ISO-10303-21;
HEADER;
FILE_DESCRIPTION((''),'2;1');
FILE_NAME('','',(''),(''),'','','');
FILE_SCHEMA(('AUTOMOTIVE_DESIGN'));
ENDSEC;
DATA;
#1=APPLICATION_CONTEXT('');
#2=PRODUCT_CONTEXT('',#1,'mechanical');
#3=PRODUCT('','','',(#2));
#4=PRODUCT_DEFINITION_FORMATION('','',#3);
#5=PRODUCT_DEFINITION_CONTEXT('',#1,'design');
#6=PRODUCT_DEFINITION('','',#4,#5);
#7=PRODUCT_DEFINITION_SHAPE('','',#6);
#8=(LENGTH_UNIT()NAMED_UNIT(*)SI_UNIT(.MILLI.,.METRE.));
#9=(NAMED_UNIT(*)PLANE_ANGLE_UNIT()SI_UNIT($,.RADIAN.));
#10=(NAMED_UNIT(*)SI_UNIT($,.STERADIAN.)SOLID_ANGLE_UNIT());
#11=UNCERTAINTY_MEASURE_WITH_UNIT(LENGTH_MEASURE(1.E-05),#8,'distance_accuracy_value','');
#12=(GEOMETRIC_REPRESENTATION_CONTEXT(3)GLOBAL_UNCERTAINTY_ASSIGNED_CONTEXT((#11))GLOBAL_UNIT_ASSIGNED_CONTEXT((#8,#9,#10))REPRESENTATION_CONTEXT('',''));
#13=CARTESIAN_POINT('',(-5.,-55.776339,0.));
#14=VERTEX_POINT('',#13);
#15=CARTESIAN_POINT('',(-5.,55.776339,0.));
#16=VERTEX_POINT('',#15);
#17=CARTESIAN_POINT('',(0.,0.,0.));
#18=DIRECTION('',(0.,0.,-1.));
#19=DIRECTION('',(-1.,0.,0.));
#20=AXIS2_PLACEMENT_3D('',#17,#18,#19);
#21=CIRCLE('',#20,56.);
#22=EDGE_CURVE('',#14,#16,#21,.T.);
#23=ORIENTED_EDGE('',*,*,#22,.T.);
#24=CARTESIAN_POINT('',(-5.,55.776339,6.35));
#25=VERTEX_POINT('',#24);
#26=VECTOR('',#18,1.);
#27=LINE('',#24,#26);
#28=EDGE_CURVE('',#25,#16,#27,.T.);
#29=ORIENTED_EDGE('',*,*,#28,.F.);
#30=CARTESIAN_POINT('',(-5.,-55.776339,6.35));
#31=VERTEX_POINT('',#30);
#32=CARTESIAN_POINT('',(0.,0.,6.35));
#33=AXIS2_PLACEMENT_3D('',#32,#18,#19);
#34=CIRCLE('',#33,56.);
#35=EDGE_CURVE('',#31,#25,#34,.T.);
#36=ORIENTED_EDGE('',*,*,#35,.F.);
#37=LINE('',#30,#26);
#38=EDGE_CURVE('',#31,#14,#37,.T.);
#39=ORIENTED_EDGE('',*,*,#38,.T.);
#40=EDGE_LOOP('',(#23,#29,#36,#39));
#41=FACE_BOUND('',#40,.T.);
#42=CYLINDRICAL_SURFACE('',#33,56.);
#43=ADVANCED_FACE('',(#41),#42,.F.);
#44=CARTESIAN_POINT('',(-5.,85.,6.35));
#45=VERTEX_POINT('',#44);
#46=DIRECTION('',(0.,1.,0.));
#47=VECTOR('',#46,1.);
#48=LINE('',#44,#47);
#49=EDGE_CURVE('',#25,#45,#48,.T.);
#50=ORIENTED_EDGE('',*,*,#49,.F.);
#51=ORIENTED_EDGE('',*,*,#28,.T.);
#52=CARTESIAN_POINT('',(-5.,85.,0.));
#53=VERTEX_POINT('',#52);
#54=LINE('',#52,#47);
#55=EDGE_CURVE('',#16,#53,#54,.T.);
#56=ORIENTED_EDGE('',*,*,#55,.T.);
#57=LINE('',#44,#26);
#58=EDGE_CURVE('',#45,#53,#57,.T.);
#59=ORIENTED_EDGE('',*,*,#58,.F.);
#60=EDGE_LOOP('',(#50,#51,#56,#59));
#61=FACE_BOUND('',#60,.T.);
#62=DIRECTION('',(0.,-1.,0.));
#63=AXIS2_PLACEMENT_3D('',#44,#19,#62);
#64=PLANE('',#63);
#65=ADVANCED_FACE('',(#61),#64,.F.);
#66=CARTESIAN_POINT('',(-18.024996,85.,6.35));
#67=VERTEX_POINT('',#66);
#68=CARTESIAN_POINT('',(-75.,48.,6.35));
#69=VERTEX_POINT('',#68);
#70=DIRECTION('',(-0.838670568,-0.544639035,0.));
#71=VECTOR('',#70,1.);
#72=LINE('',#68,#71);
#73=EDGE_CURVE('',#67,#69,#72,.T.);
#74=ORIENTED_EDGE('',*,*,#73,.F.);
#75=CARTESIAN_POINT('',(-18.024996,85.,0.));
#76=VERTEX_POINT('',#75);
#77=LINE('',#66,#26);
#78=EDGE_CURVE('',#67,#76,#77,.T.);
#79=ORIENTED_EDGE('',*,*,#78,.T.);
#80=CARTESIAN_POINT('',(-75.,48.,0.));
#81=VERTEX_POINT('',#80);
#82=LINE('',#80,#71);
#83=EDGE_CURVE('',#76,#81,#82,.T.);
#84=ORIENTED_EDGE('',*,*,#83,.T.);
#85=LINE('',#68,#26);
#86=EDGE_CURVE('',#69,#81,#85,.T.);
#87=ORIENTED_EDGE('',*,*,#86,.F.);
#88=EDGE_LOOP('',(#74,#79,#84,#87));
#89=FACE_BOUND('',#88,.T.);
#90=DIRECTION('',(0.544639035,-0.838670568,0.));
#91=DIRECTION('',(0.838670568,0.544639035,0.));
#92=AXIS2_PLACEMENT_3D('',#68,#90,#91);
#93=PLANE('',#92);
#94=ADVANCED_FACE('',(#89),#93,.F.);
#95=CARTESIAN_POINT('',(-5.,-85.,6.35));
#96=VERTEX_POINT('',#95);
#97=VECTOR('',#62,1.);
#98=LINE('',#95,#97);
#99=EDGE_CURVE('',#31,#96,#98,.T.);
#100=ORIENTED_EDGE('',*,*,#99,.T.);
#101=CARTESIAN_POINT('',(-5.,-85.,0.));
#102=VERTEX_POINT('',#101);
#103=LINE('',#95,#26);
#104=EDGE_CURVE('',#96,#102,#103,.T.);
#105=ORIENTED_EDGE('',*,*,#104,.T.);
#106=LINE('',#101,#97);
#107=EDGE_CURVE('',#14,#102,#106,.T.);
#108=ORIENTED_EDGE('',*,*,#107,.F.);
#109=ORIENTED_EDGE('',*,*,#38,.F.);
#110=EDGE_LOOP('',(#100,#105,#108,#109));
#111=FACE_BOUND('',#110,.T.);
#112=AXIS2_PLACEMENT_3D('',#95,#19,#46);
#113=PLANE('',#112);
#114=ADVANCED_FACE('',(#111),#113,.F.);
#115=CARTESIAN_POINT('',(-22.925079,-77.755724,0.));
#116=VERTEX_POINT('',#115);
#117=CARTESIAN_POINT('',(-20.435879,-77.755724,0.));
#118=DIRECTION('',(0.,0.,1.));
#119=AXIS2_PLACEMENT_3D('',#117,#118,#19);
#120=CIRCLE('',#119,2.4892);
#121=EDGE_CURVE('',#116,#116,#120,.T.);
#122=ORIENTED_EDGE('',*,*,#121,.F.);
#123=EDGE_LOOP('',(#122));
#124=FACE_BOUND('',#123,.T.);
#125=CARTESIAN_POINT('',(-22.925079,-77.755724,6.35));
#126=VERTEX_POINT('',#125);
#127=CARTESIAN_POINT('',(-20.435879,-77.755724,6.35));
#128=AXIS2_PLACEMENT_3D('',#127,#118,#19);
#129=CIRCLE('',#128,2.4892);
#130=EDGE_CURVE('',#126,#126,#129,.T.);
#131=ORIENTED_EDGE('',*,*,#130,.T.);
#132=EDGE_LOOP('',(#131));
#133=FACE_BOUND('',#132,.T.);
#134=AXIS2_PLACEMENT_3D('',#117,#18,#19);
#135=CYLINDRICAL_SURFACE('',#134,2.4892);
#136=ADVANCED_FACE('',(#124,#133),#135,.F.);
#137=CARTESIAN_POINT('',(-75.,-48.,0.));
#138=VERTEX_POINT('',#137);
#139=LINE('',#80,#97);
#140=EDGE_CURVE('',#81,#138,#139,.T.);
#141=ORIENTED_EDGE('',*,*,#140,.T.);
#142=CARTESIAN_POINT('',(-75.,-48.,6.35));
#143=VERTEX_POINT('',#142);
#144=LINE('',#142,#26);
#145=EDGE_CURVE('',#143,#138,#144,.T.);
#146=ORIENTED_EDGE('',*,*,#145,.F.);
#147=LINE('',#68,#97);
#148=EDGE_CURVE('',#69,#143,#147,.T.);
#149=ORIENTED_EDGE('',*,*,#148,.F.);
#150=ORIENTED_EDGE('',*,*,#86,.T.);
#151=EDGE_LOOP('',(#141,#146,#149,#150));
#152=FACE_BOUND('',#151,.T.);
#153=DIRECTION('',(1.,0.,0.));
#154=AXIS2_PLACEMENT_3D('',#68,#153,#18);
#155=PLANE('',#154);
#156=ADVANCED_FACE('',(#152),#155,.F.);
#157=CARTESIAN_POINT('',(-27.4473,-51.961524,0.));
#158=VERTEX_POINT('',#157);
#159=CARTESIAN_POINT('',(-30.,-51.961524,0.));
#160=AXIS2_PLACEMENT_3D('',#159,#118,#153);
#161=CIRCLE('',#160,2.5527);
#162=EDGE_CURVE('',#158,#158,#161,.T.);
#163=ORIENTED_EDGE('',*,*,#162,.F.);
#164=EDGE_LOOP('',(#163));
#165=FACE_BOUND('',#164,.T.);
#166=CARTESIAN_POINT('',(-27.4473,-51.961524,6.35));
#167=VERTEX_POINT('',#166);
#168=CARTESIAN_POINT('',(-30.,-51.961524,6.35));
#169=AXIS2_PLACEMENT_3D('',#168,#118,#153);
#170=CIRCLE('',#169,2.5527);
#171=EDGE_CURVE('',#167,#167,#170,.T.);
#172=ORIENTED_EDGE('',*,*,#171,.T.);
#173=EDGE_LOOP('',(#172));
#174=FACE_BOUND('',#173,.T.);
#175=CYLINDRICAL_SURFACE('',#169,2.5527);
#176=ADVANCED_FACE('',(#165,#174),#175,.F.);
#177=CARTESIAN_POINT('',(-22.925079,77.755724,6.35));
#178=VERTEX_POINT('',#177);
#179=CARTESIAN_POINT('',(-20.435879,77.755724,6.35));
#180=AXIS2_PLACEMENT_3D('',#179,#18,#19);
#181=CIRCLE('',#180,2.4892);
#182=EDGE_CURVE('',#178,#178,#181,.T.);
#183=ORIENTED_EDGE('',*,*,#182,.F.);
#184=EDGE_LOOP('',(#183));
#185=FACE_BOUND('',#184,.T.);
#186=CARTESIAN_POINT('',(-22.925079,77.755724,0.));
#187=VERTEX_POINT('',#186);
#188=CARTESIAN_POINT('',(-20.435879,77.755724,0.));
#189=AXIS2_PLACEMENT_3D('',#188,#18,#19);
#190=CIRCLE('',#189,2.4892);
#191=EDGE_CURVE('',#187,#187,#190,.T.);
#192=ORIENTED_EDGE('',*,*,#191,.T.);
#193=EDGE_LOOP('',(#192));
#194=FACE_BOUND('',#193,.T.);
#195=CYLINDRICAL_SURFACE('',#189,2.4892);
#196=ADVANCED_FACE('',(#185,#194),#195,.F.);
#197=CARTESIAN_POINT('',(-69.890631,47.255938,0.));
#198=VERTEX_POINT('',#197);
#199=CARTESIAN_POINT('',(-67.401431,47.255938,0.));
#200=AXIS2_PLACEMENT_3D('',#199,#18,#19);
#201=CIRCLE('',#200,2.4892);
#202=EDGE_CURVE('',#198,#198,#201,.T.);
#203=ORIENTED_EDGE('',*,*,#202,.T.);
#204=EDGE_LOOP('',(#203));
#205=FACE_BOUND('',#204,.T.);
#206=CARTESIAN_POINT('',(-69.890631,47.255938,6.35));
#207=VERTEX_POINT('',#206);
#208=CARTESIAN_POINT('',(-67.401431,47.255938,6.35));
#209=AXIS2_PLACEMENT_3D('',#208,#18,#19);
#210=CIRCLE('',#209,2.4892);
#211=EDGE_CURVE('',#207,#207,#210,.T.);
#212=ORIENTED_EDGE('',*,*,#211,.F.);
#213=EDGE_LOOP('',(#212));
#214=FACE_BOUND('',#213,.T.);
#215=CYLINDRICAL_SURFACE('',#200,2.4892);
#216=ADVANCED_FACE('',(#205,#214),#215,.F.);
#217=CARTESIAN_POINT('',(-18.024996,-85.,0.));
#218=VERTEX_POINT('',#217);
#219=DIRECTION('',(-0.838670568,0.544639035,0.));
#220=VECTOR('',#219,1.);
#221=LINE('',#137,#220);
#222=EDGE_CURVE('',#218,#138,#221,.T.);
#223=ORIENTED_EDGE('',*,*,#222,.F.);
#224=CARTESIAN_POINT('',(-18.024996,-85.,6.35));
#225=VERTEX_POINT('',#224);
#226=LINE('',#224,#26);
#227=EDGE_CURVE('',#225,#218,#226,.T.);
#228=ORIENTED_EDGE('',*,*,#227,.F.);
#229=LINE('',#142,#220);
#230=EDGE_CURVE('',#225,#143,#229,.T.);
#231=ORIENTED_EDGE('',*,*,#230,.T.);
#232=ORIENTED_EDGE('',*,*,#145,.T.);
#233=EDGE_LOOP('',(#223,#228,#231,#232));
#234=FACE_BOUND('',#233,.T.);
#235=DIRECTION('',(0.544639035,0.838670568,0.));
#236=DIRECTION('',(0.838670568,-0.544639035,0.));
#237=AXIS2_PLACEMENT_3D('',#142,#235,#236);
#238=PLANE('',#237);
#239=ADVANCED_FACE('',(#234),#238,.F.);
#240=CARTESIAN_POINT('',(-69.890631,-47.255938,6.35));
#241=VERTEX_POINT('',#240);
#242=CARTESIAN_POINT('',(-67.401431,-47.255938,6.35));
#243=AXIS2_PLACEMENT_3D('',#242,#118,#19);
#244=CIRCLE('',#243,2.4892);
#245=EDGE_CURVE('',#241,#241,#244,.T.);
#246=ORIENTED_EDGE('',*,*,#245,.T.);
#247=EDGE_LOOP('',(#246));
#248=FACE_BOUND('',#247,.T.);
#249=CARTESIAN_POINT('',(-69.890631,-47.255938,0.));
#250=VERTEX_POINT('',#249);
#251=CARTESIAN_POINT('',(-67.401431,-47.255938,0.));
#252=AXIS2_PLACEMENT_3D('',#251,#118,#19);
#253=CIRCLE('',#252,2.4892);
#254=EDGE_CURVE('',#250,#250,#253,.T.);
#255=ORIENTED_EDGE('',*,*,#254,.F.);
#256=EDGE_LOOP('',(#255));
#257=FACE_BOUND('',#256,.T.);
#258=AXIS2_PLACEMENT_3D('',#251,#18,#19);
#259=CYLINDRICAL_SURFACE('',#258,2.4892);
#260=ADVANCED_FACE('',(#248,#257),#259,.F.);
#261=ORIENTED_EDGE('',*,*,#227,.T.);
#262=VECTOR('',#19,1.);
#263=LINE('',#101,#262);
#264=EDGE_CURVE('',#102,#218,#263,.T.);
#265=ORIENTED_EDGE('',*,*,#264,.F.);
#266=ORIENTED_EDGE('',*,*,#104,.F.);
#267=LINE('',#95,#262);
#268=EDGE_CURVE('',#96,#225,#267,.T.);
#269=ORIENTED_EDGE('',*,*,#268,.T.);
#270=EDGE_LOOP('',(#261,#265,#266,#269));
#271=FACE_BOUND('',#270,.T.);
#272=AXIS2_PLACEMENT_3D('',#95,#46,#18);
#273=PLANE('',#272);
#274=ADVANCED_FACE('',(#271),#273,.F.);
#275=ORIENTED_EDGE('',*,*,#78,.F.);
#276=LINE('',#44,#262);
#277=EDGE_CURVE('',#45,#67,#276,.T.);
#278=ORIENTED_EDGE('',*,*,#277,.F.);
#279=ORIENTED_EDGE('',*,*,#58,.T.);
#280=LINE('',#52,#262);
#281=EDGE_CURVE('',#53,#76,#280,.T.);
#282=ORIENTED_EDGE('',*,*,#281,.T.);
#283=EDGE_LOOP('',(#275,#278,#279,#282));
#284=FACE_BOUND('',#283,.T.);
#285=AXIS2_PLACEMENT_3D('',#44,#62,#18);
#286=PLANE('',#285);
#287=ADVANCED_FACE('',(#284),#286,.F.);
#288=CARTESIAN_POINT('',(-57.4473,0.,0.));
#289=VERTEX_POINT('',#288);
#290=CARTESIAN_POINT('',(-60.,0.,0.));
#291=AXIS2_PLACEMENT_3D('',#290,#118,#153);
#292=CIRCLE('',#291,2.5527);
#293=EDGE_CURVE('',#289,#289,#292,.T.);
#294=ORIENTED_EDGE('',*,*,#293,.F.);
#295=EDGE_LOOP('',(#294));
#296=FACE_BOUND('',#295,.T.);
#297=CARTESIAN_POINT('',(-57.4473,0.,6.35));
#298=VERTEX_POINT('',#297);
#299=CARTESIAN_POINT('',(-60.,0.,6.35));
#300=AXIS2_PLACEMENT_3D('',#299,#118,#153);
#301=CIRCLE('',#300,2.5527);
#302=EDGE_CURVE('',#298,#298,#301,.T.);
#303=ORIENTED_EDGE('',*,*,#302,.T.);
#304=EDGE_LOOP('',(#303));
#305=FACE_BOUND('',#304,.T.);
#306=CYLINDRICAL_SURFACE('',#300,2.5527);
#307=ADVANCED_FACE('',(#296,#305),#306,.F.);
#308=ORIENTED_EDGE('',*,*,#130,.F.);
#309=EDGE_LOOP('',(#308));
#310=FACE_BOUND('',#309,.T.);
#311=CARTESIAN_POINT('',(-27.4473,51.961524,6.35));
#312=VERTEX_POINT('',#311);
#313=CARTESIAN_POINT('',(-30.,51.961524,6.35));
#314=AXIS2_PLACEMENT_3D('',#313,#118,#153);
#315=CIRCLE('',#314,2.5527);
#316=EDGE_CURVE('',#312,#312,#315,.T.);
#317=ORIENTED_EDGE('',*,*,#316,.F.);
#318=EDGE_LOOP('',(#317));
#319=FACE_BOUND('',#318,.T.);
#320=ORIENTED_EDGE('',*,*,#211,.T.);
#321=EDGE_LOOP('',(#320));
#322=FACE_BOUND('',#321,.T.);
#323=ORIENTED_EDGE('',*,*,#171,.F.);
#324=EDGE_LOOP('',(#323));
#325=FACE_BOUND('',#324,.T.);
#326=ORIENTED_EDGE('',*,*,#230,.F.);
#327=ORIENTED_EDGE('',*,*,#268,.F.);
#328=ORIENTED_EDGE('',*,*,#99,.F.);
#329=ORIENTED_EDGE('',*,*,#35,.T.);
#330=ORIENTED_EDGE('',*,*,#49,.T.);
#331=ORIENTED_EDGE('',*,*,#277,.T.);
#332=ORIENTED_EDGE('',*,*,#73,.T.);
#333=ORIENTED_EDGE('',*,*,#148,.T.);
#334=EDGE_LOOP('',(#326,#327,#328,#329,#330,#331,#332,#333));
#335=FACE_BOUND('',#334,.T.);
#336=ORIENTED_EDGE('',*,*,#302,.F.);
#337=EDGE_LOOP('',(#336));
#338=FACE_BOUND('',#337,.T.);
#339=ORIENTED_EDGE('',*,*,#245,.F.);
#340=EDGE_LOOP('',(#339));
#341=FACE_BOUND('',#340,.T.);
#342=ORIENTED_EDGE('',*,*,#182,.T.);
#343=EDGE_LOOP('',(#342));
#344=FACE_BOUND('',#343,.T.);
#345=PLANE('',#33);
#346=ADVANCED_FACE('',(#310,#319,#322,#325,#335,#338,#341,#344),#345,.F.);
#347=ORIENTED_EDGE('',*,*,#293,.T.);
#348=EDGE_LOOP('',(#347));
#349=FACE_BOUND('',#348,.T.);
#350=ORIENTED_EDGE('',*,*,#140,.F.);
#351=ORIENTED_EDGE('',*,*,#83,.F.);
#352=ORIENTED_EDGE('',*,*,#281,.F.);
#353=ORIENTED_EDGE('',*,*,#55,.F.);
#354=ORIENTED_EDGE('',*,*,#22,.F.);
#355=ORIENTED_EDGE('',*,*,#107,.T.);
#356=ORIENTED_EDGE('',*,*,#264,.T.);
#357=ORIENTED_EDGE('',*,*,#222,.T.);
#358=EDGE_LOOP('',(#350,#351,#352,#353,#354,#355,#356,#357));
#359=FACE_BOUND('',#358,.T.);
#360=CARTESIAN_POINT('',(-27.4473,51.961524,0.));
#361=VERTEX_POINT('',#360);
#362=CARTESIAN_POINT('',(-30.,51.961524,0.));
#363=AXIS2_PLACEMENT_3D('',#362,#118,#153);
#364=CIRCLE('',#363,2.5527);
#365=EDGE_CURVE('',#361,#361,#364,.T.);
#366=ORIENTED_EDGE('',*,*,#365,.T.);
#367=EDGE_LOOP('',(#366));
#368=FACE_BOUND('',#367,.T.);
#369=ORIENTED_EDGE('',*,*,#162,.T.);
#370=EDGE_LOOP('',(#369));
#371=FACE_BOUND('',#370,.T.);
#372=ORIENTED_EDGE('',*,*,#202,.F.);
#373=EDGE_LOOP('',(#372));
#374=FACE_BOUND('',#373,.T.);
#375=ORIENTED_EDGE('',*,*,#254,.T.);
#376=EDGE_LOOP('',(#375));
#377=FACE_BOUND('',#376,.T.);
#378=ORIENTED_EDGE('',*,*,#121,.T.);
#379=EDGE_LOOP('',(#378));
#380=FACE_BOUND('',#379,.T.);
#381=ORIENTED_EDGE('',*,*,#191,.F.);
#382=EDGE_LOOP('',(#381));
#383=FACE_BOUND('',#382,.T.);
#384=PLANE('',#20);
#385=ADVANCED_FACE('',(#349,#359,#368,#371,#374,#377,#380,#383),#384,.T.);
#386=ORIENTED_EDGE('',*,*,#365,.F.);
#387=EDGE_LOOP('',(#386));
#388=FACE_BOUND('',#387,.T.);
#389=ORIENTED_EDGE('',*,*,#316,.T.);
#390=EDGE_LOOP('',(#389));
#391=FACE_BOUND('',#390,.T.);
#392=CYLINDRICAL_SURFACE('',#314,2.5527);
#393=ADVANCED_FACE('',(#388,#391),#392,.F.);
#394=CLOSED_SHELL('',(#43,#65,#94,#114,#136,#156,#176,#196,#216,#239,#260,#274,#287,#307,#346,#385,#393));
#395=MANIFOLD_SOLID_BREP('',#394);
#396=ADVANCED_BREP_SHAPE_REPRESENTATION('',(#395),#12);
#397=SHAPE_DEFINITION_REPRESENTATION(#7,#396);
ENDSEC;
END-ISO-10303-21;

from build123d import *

# Parameters (mm, degrees)
BOSS_EXTRUDE1_DEPTH        = 6.35
F_10_CLEARANCE_HOLE1_D     = 4.9784
F_10_CLEARANCE_HOLE1_DEPTH = 135.89
F_10_CLEARANCE_HOLE1_TIP   = 1.495662253
SKETCH4_R                  = 56
CUT_EXTRUDE1_DEPTH         = 7.35
F_10_CLEARANCE_HOLE2_D     = 5.1054
CIRPATTERN1_COUNT          = 3
CIRPATTERN1_ANGLE          = 120


with BuildPart() as part:
    # Sketch1 → Boss-Extrude1 (new body)
    with BuildSketch(Plane.XY):
        Polygon((-75, 48), (-18.024996339, 85), (-5, 85), (-5, 0), (-75, 0), align=None)
    extrude(amount=BOSS_EXTRUDE1_DEPTH)

    # #10 Clearance Hole1
    with Locations(Plane(origin=(0, 0, 0), x_dir=(-1, 0, 0), z_dir=(0, 0, -1))):
        with Locations((20.435878863, 77.755724401), (67.401430668, 47.25593844)):
            Hole(F_10_CLEARANCE_HOLE1_D / 2, depth=F_10_CLEARANCE_HOLE1_DEPTH)
            with Locations((0, 0, -(F_10_CLEARANCE_HOLE1_DEPTH + F_10_CLEARANCE_HOLE1_TIP / 2))):  # 118° drill point
                Cone(0, F_10_CLEARANCE_HOLE1_D / 2, F_10_CLEARANCE_HOLE1_TIP, mode=Mode.SUBTRACT)

    # Sketch4 → Cut-Extrude1 (cut, through all)
    with BuildSketch(Plane(origin=(0, 0, 0), x_dir=(-1, 0, 0), z_dir=(0, 0, -1))):
        Circle(SKETCH4_R)
    extrude(amount=-CUT_EXTRUDE1_DEPTH, mode=Mode.SUBTRACT)

    # Mirror1: part across plane


with BuildPart() as part_1:
    add(part.part)
    add(part.part.mirror(Plane.ZX))

    # #10 Clearance Hole2 (through all)
    with Locations(Plane.XY.offset(6.35)):
        with Locations((-30, 51.961524227)):
            f_10_clearance_hole2 = Hole(F_10_CLEARANCE_HOLE2_D / 2)

    # CirPattern1: #10 Clearance Hole2 ×3 about axis
    cirpattern1_axis = Axis((0, 0, 0), (0, 0, 1))
    for i in range(1, CIRPATTERN1_COUNT):
        add(f_10_clearance_hole2.rotate(cirpattern1_axis, i * CIRPATTERN1_ANGLE / (CIRPATTERN1_COUNT - 1)), mode=Mode.SUBTRACT)


solid = part_1.part
